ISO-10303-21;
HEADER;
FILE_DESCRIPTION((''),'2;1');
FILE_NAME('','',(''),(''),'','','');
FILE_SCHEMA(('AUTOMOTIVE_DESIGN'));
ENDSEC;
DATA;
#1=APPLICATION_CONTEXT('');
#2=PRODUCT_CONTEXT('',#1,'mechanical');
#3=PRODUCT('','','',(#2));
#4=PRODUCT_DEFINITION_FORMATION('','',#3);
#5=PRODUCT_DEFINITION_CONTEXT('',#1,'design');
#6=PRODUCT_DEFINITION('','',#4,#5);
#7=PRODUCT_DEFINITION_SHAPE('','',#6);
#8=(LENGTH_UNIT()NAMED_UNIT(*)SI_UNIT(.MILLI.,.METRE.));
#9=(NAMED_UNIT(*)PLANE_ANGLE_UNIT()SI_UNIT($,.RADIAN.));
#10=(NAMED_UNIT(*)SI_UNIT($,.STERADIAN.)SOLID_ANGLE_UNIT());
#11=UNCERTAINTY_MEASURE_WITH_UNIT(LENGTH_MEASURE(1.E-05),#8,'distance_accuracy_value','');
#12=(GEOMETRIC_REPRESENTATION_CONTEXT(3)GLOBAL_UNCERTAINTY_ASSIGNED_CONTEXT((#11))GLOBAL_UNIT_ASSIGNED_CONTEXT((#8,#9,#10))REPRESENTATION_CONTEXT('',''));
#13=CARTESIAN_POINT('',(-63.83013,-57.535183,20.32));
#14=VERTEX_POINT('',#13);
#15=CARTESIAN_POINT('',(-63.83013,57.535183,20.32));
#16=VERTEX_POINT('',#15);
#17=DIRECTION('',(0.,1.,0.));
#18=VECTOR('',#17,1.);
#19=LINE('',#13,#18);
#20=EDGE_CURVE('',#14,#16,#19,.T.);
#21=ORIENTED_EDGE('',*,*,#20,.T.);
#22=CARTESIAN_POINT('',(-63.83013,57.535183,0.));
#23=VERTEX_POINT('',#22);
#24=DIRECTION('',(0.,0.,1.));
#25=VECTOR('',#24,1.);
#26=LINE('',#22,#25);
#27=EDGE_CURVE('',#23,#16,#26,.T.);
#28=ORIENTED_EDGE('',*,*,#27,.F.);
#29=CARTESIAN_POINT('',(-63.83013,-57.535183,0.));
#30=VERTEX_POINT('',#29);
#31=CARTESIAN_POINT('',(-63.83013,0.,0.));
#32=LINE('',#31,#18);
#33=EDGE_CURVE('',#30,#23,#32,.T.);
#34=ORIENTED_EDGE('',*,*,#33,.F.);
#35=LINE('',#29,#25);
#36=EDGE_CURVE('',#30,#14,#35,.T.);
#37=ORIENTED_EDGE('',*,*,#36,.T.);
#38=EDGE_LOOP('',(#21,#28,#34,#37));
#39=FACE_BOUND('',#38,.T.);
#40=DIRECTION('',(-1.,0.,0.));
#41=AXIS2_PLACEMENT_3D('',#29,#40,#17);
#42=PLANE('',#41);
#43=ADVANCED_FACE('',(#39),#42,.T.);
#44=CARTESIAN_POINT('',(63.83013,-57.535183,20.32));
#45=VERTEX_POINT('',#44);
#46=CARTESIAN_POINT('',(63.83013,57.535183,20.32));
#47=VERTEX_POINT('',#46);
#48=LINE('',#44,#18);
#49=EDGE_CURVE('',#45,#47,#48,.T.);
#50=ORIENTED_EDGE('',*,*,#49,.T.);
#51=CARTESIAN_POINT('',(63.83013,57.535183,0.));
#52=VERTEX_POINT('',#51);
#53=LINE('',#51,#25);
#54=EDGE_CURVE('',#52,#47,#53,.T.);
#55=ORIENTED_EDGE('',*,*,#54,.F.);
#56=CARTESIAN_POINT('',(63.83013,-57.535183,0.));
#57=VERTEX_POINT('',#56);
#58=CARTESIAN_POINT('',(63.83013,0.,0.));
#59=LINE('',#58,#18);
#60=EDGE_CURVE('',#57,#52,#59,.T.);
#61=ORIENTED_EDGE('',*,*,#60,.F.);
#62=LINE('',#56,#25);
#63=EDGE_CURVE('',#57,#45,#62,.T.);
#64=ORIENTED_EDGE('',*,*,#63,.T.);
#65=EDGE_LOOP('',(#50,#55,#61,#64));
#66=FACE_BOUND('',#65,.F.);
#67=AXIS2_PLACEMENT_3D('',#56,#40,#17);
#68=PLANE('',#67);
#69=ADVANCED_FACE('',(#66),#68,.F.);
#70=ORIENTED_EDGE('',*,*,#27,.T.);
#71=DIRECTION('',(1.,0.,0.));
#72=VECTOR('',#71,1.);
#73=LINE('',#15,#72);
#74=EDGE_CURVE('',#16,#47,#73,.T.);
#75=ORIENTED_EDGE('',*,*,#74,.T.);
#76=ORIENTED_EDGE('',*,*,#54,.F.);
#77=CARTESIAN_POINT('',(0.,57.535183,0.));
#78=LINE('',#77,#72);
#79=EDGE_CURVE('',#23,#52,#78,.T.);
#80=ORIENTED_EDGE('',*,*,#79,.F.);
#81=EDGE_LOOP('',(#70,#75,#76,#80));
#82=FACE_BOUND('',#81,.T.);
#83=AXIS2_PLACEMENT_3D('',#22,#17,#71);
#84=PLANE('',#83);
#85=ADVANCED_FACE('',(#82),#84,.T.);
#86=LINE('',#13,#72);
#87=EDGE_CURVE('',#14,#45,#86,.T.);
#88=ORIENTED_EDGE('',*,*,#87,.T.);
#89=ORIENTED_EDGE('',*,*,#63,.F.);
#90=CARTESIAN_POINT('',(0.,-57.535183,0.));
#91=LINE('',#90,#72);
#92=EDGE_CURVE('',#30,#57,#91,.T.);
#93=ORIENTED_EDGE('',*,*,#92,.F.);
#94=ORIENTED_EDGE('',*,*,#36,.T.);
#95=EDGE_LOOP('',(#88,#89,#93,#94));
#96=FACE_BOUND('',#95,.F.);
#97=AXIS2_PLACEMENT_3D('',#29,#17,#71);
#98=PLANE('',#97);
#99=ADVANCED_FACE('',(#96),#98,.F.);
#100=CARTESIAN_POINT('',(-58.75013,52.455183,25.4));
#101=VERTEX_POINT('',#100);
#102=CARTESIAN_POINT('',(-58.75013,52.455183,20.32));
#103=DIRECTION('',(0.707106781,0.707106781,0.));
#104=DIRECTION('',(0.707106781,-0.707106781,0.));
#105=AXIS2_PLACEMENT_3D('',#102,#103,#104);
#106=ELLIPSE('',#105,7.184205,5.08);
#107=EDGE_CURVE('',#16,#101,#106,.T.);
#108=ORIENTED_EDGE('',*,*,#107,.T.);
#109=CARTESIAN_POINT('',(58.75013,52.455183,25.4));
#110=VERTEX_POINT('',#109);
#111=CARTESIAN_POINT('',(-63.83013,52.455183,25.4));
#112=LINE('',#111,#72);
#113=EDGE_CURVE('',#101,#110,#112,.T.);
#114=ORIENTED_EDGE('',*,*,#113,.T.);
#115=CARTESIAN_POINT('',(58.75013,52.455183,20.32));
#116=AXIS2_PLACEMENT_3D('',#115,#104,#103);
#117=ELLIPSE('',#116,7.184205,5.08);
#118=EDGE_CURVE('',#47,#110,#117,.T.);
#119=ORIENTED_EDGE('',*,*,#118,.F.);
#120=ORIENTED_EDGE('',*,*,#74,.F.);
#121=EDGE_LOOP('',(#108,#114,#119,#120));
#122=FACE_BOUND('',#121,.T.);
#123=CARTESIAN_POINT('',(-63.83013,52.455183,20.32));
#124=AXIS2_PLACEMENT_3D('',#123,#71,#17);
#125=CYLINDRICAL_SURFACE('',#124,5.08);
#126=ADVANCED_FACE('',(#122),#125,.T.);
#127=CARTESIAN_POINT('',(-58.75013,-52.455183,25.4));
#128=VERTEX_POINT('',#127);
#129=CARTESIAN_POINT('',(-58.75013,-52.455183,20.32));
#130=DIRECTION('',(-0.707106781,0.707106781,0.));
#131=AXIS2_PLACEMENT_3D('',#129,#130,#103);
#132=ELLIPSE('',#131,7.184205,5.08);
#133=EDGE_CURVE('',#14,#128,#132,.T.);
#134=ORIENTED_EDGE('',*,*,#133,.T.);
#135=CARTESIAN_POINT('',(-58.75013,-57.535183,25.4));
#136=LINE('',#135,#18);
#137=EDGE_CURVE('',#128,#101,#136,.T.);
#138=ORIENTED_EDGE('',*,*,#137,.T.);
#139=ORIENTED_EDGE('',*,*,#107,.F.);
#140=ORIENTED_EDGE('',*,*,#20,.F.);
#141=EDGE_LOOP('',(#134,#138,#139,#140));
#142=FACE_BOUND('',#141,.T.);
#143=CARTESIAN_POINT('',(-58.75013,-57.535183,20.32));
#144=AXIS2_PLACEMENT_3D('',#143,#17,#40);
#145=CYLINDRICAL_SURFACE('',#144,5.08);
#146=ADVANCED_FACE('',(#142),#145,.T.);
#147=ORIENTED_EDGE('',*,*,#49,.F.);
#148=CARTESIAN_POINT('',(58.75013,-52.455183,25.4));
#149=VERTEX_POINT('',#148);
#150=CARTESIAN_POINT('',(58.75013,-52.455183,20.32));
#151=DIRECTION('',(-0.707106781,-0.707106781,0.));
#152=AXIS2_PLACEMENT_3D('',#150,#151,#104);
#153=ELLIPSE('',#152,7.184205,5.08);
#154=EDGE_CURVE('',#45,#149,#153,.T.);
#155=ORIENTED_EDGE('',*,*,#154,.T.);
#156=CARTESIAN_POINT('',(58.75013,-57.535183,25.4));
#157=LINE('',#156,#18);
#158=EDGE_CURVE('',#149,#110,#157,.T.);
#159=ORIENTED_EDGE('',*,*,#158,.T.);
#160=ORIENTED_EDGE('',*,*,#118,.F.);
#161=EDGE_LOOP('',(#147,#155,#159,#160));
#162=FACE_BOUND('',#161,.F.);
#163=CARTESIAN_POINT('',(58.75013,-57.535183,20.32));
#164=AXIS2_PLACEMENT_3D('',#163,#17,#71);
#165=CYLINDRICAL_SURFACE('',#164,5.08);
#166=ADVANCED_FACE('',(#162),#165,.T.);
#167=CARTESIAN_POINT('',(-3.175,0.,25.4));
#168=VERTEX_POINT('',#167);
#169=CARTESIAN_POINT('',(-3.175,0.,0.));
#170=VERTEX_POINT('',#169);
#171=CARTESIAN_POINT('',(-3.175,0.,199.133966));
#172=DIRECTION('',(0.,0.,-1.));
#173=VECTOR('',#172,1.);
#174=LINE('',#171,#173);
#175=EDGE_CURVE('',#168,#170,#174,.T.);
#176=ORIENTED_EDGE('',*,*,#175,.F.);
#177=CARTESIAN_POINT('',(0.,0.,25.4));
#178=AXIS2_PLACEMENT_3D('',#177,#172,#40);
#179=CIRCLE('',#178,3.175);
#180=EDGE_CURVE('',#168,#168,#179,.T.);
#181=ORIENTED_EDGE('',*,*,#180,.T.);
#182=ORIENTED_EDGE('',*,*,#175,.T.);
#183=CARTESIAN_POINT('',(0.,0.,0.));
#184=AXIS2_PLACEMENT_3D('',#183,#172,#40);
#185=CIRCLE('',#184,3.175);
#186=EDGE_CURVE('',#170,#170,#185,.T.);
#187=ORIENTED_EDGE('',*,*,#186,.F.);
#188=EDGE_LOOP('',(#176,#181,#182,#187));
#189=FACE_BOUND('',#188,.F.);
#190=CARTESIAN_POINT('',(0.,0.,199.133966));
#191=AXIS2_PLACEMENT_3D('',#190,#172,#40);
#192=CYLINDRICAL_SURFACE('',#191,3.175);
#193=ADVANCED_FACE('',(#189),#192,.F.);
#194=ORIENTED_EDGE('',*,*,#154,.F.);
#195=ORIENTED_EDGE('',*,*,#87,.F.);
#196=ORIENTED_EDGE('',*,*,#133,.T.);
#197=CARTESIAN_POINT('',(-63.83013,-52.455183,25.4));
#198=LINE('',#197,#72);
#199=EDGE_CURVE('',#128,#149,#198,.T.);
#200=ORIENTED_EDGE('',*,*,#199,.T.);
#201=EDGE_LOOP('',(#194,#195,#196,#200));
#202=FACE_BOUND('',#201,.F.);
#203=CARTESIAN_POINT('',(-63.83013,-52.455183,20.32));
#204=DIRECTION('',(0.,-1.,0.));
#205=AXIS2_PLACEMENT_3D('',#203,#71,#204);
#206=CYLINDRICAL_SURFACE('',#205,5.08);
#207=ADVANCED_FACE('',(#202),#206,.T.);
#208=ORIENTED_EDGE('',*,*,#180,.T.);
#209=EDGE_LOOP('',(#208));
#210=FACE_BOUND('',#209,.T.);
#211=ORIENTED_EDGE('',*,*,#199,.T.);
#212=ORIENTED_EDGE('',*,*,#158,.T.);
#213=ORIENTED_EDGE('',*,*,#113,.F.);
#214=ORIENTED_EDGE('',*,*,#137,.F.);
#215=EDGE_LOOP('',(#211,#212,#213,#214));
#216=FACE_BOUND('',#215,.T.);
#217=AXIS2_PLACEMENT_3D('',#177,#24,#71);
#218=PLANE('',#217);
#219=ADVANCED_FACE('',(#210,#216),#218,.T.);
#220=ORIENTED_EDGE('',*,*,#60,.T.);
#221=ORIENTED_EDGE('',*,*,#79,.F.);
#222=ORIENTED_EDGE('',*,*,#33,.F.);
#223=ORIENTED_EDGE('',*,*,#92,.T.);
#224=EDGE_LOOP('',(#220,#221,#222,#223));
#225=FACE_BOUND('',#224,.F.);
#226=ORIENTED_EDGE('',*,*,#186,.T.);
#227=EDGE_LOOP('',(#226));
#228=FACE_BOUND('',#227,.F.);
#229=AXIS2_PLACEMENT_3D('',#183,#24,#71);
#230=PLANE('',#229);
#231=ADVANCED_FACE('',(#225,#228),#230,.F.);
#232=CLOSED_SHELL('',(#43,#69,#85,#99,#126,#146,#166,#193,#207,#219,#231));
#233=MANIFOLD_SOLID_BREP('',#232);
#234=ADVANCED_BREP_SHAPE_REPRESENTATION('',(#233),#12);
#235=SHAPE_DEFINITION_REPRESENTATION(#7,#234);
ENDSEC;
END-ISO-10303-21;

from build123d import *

# Parameters (mm, degrees)
F0_W     = 127.66026
F0_H     = 115.070366
F1_DEPTH = 25.4
F2_R     = 5.08
F4_D     = 6.35


with BuildPart() as f1:
    # F0 (on Top) → F1 (new body)
    with BuildSketch(Plane.XY):
        Rectangle(F0_W, F0_H)
    extrude(amount=F1_DEPTH)

    # F2
    f2_edges = [f1.edges().sort_by_distance(p)[0] for p in [
        (0, -57.535183, 25.4),
        (63.83013, 0, 25.4),
        (0, 57.535183, 25.4),
        (-63.83013, 0, 25.4),
    ]]
    fillet(f2_edges, radius=F2_R)

    # F4 (through all)
    with Locations(Plane.XY.offset(25.4)):
        with Locations((0, 0)):
            Hole(F4_D / 2)


solid = f1.part
